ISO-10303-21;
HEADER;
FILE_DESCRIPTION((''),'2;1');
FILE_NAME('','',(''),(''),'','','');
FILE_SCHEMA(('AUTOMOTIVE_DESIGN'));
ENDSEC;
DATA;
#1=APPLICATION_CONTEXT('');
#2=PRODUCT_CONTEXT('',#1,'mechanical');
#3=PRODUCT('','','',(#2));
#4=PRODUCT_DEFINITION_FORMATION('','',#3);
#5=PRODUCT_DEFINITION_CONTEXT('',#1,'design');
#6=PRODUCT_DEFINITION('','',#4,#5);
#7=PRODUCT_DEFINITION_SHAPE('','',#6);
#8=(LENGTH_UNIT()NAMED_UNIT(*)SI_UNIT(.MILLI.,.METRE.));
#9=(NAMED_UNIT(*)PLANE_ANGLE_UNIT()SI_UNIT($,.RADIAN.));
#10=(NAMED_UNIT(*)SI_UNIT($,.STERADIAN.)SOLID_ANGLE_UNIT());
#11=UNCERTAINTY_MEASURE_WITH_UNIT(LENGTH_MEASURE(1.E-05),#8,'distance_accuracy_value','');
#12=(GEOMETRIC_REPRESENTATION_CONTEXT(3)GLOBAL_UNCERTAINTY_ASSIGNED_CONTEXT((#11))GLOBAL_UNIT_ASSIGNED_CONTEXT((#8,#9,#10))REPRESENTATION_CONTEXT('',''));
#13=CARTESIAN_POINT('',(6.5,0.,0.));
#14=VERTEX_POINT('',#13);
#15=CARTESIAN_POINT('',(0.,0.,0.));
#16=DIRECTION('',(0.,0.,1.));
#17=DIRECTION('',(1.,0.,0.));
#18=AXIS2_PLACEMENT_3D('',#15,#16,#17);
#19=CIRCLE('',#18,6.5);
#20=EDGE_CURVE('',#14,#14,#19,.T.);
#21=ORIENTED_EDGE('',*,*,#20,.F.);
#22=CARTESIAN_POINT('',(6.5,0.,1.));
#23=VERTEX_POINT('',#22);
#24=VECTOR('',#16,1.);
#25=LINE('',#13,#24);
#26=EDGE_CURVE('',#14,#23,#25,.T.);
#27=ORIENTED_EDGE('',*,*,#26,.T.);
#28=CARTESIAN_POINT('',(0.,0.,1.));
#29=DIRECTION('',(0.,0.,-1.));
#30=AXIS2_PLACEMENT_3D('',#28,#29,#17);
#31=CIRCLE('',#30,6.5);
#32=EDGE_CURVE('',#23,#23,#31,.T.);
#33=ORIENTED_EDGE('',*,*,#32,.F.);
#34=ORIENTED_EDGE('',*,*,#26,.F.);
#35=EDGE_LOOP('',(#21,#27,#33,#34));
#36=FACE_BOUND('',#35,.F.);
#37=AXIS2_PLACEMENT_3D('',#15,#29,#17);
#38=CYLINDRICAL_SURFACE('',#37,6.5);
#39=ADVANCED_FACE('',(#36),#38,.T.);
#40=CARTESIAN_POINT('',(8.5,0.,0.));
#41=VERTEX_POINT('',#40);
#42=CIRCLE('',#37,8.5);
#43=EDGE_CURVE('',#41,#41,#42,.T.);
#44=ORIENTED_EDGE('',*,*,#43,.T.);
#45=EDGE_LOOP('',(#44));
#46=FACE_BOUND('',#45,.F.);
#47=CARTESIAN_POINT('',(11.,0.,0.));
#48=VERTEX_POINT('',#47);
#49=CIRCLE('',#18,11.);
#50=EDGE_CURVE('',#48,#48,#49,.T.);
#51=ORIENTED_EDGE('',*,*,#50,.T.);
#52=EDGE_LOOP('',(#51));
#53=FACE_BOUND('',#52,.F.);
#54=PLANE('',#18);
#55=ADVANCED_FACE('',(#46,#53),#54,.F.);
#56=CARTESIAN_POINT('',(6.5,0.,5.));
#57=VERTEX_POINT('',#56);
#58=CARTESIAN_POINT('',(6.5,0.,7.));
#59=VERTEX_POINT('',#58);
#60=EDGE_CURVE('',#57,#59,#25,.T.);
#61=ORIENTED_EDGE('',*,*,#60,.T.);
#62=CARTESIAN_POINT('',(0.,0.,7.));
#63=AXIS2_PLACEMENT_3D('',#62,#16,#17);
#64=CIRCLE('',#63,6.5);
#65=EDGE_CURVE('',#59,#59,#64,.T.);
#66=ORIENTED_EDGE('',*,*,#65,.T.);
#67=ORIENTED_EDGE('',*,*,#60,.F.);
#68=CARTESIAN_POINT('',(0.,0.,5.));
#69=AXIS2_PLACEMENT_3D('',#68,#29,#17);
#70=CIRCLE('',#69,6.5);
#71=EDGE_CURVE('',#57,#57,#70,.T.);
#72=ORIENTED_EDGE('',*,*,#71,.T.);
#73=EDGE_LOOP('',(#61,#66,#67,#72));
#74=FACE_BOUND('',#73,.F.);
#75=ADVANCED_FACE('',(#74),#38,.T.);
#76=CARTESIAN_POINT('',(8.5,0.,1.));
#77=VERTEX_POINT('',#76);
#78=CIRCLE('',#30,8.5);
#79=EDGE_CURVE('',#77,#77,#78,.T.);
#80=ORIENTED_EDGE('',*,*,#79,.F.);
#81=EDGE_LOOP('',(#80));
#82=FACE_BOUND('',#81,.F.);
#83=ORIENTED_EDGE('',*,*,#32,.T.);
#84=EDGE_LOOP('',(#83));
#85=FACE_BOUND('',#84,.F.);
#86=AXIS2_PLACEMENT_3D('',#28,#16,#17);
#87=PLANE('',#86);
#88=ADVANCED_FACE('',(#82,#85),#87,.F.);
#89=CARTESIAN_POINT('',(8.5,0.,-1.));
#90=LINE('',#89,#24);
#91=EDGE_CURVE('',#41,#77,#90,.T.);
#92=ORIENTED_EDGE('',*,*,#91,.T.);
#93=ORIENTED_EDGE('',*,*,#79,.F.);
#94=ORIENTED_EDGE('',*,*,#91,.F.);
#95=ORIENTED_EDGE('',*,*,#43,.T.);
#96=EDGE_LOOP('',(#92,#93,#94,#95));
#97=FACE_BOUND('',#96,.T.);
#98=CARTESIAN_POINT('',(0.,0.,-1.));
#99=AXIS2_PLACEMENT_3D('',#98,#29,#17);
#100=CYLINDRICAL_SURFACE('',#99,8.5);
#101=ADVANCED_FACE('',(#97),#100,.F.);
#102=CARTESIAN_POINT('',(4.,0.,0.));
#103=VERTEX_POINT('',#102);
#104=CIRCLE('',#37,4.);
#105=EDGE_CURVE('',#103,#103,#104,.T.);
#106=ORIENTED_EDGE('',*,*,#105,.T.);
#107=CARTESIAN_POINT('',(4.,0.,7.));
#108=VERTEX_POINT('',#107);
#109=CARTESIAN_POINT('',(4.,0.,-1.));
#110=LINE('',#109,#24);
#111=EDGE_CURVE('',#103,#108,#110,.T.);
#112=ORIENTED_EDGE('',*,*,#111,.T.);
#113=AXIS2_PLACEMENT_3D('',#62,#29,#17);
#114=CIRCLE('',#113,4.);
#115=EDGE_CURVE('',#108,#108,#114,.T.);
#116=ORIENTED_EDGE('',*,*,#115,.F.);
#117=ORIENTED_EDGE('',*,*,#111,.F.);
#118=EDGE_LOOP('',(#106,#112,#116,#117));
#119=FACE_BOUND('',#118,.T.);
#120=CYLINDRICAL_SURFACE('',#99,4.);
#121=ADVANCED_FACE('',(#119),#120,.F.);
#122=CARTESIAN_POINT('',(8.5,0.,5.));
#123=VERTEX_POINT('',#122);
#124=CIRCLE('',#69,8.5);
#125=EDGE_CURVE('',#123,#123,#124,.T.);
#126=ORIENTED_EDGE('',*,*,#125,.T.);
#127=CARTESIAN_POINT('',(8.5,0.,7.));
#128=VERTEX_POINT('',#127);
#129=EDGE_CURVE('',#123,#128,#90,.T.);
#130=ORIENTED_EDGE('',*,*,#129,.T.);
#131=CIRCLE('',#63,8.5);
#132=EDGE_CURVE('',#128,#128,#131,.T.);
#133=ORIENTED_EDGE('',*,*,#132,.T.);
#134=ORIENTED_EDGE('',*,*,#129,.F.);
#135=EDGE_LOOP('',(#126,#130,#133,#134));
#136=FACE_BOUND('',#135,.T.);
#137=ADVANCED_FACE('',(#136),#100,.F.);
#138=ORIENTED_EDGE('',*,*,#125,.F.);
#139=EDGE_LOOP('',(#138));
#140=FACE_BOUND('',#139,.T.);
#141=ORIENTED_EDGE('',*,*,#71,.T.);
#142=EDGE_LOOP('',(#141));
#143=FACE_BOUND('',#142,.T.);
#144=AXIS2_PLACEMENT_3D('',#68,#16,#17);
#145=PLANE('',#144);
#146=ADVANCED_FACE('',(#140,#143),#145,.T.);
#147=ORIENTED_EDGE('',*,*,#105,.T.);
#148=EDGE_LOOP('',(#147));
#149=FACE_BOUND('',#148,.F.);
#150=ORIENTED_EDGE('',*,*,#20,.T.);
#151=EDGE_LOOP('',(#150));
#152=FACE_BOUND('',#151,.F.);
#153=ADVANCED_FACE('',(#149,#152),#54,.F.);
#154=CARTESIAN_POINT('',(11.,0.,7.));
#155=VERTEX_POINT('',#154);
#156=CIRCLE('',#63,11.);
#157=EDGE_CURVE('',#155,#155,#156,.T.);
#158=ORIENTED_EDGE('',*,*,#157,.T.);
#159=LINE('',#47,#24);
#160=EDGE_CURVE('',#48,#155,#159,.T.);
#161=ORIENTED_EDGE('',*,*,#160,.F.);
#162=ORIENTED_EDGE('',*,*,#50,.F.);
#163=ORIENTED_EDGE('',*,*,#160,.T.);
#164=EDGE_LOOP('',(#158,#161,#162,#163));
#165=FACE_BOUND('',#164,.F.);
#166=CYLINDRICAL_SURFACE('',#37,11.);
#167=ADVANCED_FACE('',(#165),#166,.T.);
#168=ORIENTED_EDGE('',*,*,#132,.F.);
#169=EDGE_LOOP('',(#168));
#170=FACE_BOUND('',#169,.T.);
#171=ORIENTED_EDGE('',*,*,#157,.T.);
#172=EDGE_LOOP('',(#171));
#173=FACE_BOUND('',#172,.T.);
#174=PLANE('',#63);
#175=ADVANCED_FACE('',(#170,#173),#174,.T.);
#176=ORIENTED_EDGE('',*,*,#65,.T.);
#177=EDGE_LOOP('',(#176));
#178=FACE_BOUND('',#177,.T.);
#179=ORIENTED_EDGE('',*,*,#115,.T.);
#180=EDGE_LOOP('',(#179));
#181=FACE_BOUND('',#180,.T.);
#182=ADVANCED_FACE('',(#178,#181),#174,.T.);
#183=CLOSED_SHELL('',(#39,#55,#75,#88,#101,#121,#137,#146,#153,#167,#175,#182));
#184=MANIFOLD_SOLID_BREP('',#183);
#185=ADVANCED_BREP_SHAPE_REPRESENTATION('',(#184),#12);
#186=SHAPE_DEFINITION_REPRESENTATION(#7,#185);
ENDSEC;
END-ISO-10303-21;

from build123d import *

# Parameters (mm, degrees)
CYLINDER010_R     = 4
CYLINDER010_DEPTH = 9
CYLINDER009_R     = 6.5
CYLINDER009_DEPTH = 7
CYLINDER012_R     = 5.5
CYLINDER012_DEPTH = 7
CYLINDER011_R     = 9
CYLINDER011_DEPTH = 4
CYLINDER008_R     = 8.5
CYLINDER008_DEPTH = 8
CYLINDER007_R     = 11
CYLINDER007_DEPTH = 7


with BuildPart() as cilindro010:
    # Cylinder010 → Cylinder010 (new body)
    with BuildSketch(Plane.XY.offset(-1)):
        Circle(CYLINDER010_R)
    extrude(amount=CYLINDER010_DEPTH)


with BuildPart() as cut003:
    # Cylinder009 → Cylinder009 (new body)
    with BuildSketch(Plane.XY):
        Circle(CYLINDER009_R)
    extrude(amount=CYLINDER009_DEPTH)

    # Cut003: cut Cilindro010
    add(cilindro010.part, mode=Mode.SUBTRACT)


with BuildPart() as cilindro012:
    # Cylinder012 → Cylinder012 (new body)
    with BuildSketch(Plane.XY):
        Circle(CYLINDER012_R)
    extrude(amount=CYLINDER012_DEPTH)


with BuildPart() as cut004:
    # Cylinder011 → Cylinder011 (new body)
    with BuildSketch(Plane.XY.offset(1)):
        Circle(CYLINDER011_R)
    extrude(amount=CYLINDER011_DEPTH)

    # Cut004: cut Cilindro012
    add(cilindro012.part, mode=Mode.SUBTRACT)


with BuildPart() as cilindro008:
    # Cylinder008 → Cylinder008 (new body)
    with BuildSketch(Plane.XY.offset(-1)):
        Circle(CYLINDER008_R)
    extrude(amount=CYLINDER008_DEPTH)


with BuildPart() as f_608zz:
    # Cylinder007 → Cylinder007 (new body)
    with BuildSketch(Plane.XY):
        Circle(CYLINDER007_R)
    extrude(amount=CYLINDER007_DEPTH)

    # Cut002: cut Cilindro008
    add(cilindro008.part, mode=Mode.SUBTRACT)

    # Fusion003: union Cut003, Cut004
    add(cut003.part)
    add(cut004.part)


solid = f_608zz.part
